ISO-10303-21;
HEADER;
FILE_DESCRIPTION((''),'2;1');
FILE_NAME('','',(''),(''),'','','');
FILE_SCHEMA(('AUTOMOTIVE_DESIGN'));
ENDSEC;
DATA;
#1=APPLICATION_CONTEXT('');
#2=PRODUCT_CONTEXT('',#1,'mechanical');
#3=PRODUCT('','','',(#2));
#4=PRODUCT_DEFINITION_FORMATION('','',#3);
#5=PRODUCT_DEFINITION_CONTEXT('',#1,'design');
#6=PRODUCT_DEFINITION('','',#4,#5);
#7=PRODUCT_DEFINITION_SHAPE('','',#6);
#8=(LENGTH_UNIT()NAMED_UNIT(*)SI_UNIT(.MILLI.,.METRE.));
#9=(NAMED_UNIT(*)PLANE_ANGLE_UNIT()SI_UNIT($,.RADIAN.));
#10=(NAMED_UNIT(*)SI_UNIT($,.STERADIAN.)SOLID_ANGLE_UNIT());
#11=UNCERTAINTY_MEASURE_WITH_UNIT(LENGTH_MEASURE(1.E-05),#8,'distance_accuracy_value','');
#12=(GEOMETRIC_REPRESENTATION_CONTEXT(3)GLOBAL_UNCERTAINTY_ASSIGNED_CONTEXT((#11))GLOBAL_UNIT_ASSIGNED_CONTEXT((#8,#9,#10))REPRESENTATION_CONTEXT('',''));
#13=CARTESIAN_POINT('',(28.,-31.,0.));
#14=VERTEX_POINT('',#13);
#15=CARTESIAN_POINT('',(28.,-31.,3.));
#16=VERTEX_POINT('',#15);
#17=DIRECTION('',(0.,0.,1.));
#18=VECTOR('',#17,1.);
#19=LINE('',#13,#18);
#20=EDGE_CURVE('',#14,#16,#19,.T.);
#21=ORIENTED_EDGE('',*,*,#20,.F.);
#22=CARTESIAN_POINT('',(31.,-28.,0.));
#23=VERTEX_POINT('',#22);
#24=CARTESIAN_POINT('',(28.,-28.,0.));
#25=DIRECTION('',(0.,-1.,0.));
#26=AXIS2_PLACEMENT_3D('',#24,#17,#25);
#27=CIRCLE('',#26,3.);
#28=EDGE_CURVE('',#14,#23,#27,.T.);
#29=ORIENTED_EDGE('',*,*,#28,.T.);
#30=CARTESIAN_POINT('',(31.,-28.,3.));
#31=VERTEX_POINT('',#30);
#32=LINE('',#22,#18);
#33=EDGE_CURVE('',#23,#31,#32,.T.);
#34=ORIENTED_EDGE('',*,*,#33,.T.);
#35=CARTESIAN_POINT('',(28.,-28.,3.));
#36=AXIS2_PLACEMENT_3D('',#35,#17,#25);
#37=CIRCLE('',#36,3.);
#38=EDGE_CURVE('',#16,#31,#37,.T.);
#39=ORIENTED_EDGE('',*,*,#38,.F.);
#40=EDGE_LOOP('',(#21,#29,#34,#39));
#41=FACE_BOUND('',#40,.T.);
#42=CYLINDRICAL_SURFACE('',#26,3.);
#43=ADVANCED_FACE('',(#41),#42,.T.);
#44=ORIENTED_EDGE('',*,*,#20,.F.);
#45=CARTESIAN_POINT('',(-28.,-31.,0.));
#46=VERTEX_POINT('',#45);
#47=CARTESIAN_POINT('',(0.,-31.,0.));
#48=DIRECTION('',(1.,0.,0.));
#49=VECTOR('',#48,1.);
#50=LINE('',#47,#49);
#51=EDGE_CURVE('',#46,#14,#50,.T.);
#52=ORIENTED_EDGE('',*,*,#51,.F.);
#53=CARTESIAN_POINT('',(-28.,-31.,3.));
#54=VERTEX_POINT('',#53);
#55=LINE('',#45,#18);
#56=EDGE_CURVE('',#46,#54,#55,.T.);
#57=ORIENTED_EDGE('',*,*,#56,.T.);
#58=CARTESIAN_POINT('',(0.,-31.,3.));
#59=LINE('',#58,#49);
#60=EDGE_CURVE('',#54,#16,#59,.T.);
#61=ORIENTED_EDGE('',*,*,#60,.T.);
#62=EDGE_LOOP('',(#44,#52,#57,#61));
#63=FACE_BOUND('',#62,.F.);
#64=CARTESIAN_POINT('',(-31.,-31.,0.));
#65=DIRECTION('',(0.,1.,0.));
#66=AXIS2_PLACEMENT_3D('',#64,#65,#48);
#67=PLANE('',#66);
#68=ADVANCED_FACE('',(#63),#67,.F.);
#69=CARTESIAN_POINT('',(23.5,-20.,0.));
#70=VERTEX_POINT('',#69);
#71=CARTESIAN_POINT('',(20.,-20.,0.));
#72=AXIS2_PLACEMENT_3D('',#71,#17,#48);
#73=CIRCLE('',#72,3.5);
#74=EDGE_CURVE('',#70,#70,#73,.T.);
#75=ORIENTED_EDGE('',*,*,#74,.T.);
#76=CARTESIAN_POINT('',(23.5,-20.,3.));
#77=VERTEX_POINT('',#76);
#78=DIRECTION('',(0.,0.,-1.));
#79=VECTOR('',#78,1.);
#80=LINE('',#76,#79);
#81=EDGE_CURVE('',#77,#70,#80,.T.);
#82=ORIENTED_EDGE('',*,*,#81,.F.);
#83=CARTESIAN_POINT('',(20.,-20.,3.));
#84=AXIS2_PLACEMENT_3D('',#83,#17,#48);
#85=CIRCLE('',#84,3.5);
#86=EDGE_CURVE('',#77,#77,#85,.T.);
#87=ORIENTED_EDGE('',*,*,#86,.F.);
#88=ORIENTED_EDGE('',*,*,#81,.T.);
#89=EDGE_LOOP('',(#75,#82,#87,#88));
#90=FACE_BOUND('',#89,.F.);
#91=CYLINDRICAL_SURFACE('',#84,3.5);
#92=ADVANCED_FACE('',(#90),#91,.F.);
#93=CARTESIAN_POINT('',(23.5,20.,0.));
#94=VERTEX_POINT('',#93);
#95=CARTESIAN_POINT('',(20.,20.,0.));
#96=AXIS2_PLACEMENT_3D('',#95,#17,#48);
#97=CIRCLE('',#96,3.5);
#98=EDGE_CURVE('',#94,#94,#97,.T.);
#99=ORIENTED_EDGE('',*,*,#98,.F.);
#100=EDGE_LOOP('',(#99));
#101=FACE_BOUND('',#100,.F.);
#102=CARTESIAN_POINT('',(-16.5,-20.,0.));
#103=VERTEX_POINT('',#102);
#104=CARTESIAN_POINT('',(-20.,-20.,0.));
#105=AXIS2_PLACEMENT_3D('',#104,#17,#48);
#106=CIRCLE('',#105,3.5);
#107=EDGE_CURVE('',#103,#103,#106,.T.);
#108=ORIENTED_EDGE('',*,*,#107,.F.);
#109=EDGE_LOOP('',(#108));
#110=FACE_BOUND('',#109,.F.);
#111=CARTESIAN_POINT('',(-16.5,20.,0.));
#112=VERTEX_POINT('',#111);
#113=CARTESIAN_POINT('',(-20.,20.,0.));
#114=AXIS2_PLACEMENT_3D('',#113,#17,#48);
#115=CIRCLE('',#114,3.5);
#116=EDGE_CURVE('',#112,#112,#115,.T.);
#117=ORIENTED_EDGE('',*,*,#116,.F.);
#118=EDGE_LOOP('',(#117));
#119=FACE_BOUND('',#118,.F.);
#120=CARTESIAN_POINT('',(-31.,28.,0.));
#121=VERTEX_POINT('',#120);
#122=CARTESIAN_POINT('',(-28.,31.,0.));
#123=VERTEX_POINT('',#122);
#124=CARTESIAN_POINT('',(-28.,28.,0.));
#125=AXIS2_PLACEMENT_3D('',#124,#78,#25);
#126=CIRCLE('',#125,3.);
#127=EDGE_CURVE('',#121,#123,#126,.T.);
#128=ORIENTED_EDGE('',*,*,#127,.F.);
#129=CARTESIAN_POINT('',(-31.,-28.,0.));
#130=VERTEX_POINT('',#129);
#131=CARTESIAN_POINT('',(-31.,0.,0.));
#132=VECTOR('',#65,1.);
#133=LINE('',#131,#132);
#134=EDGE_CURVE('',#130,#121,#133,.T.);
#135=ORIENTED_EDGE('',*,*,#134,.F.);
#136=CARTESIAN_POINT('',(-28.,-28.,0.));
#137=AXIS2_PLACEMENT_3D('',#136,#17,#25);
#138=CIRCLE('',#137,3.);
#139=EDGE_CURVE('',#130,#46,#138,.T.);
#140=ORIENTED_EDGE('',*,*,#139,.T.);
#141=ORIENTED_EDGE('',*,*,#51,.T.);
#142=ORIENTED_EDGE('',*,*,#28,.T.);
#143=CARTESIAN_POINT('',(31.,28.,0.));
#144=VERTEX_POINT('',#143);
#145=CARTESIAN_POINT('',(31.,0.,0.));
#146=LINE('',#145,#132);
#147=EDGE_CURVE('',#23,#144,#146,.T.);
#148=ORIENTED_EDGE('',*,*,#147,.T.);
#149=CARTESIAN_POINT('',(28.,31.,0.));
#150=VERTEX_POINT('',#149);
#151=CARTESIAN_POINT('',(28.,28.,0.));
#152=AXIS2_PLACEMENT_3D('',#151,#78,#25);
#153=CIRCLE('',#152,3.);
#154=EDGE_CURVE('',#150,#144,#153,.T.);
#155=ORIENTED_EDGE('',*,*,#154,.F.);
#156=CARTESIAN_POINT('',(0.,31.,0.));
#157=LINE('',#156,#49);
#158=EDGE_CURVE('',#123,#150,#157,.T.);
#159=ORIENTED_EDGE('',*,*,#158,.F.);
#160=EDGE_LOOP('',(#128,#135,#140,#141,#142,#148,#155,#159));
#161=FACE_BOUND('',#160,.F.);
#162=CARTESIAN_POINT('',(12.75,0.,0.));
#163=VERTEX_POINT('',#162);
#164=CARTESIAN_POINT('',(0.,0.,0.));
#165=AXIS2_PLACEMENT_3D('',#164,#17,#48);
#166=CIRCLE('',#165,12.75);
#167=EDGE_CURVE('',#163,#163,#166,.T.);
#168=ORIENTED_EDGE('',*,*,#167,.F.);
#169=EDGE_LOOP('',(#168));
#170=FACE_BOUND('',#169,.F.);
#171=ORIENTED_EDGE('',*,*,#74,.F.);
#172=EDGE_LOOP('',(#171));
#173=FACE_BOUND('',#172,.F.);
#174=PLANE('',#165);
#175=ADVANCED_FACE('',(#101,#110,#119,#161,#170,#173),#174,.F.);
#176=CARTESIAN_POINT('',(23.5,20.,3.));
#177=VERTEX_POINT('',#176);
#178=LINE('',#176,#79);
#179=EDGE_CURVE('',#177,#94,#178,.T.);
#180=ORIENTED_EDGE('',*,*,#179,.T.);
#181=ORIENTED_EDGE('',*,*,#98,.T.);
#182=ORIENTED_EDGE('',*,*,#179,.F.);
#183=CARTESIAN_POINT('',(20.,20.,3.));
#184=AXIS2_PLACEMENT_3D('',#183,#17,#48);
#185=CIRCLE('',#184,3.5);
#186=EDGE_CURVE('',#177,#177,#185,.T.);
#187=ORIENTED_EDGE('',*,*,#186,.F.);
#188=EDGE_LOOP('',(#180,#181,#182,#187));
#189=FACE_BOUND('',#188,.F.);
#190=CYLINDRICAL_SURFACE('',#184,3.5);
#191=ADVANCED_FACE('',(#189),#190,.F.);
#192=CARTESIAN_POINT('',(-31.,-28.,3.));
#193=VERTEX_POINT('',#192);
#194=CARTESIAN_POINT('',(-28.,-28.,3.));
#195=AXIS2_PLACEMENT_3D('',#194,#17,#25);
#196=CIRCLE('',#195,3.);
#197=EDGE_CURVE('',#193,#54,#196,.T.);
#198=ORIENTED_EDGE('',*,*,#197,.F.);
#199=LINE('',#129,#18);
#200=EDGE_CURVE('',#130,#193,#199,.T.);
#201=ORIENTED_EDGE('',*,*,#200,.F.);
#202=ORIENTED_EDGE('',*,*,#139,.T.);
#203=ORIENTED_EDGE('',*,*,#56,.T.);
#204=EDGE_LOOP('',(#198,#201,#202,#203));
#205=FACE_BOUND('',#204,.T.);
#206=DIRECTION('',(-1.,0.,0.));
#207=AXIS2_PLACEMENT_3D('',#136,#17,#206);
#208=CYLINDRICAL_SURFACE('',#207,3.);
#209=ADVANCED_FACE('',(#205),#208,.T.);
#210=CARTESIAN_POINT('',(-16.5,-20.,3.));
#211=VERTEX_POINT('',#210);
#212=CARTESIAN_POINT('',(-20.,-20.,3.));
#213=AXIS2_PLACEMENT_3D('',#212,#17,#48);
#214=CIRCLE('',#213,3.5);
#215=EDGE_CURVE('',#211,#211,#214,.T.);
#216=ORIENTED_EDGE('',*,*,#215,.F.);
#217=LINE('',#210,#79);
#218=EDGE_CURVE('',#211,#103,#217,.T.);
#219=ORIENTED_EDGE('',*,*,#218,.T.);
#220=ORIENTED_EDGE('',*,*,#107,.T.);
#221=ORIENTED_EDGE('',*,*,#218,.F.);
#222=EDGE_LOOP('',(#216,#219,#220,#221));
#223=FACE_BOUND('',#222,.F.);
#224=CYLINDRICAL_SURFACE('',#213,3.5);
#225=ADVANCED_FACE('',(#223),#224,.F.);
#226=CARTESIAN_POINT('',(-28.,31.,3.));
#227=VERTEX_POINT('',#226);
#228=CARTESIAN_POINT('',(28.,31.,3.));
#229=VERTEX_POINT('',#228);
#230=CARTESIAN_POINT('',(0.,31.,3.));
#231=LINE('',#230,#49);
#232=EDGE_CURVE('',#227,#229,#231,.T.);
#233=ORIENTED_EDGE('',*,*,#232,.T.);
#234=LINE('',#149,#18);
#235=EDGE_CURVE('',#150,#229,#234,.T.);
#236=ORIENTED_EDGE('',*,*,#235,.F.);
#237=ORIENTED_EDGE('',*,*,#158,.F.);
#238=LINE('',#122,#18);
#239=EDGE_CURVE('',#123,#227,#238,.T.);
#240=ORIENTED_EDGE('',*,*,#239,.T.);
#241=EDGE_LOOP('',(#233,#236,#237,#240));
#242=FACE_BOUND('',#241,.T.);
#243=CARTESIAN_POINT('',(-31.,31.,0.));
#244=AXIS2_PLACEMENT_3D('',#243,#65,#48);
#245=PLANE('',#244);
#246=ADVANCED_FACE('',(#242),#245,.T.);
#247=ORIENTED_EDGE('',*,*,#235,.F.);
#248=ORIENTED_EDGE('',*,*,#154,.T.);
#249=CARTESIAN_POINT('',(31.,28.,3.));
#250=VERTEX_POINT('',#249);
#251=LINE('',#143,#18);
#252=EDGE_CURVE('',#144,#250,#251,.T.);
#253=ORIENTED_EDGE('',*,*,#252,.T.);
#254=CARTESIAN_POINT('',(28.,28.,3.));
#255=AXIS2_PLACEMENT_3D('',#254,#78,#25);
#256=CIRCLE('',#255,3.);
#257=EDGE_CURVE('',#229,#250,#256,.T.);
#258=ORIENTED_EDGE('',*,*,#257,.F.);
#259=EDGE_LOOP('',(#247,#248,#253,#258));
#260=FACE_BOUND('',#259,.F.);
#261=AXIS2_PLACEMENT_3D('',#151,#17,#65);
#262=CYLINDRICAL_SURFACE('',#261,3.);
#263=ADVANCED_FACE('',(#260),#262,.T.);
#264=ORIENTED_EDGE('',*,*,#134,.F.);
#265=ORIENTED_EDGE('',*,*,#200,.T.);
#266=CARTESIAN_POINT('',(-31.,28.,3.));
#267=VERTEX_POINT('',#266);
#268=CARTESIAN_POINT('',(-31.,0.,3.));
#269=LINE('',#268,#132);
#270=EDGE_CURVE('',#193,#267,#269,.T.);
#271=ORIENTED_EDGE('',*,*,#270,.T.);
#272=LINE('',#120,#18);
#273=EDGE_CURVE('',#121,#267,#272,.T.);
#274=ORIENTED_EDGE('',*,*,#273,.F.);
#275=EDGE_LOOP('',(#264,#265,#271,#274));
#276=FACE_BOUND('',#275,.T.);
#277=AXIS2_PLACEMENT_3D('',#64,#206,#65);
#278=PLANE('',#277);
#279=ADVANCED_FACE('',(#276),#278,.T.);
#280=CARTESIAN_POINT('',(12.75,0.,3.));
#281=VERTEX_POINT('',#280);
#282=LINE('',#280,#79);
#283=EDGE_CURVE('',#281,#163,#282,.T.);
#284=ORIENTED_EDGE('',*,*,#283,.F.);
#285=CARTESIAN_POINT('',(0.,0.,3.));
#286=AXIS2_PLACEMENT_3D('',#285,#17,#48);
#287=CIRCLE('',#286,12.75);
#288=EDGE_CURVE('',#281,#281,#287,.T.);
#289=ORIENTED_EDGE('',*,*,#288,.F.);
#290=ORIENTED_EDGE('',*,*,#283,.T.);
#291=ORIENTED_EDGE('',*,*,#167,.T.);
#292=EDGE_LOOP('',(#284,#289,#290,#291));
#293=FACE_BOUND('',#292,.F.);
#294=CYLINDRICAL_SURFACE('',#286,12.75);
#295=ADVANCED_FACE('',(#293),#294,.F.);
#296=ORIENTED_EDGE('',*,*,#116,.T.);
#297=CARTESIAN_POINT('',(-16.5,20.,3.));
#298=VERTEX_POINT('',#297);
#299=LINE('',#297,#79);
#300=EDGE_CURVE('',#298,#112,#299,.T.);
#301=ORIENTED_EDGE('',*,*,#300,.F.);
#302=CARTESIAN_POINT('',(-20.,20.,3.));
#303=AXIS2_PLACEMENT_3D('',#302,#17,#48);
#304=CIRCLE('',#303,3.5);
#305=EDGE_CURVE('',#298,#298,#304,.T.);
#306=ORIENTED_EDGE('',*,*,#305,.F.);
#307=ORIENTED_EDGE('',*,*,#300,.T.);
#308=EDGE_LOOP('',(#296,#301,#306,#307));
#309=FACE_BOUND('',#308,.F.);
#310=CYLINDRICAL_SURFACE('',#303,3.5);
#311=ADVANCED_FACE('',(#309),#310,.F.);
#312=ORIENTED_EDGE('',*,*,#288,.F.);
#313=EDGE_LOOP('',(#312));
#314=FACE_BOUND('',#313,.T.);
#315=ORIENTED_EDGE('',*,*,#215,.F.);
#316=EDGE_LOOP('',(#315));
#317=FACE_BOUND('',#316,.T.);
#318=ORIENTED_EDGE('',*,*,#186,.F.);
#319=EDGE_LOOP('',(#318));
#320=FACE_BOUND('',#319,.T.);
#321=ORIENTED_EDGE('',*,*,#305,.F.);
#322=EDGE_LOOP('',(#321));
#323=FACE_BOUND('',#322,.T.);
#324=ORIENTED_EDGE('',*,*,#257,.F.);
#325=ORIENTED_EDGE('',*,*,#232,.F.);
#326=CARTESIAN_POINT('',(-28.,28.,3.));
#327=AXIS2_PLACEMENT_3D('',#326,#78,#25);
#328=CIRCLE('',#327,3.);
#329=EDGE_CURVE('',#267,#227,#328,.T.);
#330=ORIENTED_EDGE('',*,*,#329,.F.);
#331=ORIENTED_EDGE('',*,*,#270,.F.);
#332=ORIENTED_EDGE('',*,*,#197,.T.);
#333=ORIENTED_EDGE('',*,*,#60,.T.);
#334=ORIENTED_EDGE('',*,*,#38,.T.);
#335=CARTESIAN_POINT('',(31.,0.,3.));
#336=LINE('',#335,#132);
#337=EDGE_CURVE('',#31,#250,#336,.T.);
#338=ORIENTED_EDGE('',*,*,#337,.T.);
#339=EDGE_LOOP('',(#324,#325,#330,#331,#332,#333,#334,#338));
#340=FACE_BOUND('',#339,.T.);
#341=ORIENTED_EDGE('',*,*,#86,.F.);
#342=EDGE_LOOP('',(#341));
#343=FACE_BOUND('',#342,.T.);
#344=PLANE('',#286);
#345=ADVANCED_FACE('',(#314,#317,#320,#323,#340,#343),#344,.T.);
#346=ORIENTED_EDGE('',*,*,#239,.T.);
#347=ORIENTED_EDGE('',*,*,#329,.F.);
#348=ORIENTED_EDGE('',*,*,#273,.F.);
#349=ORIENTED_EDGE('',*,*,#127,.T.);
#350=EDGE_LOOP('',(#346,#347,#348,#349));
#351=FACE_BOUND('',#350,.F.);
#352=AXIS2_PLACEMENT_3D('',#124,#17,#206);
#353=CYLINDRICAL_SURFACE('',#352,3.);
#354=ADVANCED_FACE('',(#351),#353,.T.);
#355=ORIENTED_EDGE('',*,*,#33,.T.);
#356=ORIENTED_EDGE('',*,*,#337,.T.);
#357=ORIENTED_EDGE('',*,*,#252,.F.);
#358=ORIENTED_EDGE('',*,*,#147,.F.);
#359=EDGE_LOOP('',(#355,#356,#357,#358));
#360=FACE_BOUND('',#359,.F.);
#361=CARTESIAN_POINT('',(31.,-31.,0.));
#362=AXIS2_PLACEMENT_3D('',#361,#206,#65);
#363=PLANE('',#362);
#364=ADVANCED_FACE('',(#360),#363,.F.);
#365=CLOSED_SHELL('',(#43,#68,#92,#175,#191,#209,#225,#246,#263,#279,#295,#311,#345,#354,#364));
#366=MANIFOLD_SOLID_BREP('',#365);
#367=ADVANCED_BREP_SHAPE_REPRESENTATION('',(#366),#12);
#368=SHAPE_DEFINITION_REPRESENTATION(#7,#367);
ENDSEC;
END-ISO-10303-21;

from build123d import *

# Parameters (mm, degrees)
F0_W     = 62
F0_H     = 62
F1_DEPTH = 3
F2_R     = 3.5
F2_R_2   = 12.75
F3_DEPTH = 25
F4_R     = 3


with BuildPart() as f1:
    # F0 (on Top) → F1 (new body)
    with BuildSketch(Plane.XY):
        Rectangle(F0_W, F0_H)
    extrude(amount=F1_DEPTH)

    # F2 (on face) → F3 (cut)
    with BuildSketch(Plane.XY.offset(3)):
        with Locations((-20, 20)):
            Circle(F2_R)
        with Locations((20, 20)):
            Circle(F2_R)
        with Locations((20, -20)):
            Circle(F2_R)
        with Locations((-20, -20)):
            Circle(F2_R)
        Circle(F2_R_2)
    extrude(amount=-F3_DEPTH, mode=Mode.SUBTRACT)

    # F4
    f4_edges = [f1.edges().sort_by_distance(p)[0] for p in [
        (-31, 31, 1.5),
        (31, 31, 1.5),
        (-31, -31, 1.5),
        (31, -31, 1.5),
    ]]
    fillet(f4_edges, radius=F4_R)


solid = f1.part
